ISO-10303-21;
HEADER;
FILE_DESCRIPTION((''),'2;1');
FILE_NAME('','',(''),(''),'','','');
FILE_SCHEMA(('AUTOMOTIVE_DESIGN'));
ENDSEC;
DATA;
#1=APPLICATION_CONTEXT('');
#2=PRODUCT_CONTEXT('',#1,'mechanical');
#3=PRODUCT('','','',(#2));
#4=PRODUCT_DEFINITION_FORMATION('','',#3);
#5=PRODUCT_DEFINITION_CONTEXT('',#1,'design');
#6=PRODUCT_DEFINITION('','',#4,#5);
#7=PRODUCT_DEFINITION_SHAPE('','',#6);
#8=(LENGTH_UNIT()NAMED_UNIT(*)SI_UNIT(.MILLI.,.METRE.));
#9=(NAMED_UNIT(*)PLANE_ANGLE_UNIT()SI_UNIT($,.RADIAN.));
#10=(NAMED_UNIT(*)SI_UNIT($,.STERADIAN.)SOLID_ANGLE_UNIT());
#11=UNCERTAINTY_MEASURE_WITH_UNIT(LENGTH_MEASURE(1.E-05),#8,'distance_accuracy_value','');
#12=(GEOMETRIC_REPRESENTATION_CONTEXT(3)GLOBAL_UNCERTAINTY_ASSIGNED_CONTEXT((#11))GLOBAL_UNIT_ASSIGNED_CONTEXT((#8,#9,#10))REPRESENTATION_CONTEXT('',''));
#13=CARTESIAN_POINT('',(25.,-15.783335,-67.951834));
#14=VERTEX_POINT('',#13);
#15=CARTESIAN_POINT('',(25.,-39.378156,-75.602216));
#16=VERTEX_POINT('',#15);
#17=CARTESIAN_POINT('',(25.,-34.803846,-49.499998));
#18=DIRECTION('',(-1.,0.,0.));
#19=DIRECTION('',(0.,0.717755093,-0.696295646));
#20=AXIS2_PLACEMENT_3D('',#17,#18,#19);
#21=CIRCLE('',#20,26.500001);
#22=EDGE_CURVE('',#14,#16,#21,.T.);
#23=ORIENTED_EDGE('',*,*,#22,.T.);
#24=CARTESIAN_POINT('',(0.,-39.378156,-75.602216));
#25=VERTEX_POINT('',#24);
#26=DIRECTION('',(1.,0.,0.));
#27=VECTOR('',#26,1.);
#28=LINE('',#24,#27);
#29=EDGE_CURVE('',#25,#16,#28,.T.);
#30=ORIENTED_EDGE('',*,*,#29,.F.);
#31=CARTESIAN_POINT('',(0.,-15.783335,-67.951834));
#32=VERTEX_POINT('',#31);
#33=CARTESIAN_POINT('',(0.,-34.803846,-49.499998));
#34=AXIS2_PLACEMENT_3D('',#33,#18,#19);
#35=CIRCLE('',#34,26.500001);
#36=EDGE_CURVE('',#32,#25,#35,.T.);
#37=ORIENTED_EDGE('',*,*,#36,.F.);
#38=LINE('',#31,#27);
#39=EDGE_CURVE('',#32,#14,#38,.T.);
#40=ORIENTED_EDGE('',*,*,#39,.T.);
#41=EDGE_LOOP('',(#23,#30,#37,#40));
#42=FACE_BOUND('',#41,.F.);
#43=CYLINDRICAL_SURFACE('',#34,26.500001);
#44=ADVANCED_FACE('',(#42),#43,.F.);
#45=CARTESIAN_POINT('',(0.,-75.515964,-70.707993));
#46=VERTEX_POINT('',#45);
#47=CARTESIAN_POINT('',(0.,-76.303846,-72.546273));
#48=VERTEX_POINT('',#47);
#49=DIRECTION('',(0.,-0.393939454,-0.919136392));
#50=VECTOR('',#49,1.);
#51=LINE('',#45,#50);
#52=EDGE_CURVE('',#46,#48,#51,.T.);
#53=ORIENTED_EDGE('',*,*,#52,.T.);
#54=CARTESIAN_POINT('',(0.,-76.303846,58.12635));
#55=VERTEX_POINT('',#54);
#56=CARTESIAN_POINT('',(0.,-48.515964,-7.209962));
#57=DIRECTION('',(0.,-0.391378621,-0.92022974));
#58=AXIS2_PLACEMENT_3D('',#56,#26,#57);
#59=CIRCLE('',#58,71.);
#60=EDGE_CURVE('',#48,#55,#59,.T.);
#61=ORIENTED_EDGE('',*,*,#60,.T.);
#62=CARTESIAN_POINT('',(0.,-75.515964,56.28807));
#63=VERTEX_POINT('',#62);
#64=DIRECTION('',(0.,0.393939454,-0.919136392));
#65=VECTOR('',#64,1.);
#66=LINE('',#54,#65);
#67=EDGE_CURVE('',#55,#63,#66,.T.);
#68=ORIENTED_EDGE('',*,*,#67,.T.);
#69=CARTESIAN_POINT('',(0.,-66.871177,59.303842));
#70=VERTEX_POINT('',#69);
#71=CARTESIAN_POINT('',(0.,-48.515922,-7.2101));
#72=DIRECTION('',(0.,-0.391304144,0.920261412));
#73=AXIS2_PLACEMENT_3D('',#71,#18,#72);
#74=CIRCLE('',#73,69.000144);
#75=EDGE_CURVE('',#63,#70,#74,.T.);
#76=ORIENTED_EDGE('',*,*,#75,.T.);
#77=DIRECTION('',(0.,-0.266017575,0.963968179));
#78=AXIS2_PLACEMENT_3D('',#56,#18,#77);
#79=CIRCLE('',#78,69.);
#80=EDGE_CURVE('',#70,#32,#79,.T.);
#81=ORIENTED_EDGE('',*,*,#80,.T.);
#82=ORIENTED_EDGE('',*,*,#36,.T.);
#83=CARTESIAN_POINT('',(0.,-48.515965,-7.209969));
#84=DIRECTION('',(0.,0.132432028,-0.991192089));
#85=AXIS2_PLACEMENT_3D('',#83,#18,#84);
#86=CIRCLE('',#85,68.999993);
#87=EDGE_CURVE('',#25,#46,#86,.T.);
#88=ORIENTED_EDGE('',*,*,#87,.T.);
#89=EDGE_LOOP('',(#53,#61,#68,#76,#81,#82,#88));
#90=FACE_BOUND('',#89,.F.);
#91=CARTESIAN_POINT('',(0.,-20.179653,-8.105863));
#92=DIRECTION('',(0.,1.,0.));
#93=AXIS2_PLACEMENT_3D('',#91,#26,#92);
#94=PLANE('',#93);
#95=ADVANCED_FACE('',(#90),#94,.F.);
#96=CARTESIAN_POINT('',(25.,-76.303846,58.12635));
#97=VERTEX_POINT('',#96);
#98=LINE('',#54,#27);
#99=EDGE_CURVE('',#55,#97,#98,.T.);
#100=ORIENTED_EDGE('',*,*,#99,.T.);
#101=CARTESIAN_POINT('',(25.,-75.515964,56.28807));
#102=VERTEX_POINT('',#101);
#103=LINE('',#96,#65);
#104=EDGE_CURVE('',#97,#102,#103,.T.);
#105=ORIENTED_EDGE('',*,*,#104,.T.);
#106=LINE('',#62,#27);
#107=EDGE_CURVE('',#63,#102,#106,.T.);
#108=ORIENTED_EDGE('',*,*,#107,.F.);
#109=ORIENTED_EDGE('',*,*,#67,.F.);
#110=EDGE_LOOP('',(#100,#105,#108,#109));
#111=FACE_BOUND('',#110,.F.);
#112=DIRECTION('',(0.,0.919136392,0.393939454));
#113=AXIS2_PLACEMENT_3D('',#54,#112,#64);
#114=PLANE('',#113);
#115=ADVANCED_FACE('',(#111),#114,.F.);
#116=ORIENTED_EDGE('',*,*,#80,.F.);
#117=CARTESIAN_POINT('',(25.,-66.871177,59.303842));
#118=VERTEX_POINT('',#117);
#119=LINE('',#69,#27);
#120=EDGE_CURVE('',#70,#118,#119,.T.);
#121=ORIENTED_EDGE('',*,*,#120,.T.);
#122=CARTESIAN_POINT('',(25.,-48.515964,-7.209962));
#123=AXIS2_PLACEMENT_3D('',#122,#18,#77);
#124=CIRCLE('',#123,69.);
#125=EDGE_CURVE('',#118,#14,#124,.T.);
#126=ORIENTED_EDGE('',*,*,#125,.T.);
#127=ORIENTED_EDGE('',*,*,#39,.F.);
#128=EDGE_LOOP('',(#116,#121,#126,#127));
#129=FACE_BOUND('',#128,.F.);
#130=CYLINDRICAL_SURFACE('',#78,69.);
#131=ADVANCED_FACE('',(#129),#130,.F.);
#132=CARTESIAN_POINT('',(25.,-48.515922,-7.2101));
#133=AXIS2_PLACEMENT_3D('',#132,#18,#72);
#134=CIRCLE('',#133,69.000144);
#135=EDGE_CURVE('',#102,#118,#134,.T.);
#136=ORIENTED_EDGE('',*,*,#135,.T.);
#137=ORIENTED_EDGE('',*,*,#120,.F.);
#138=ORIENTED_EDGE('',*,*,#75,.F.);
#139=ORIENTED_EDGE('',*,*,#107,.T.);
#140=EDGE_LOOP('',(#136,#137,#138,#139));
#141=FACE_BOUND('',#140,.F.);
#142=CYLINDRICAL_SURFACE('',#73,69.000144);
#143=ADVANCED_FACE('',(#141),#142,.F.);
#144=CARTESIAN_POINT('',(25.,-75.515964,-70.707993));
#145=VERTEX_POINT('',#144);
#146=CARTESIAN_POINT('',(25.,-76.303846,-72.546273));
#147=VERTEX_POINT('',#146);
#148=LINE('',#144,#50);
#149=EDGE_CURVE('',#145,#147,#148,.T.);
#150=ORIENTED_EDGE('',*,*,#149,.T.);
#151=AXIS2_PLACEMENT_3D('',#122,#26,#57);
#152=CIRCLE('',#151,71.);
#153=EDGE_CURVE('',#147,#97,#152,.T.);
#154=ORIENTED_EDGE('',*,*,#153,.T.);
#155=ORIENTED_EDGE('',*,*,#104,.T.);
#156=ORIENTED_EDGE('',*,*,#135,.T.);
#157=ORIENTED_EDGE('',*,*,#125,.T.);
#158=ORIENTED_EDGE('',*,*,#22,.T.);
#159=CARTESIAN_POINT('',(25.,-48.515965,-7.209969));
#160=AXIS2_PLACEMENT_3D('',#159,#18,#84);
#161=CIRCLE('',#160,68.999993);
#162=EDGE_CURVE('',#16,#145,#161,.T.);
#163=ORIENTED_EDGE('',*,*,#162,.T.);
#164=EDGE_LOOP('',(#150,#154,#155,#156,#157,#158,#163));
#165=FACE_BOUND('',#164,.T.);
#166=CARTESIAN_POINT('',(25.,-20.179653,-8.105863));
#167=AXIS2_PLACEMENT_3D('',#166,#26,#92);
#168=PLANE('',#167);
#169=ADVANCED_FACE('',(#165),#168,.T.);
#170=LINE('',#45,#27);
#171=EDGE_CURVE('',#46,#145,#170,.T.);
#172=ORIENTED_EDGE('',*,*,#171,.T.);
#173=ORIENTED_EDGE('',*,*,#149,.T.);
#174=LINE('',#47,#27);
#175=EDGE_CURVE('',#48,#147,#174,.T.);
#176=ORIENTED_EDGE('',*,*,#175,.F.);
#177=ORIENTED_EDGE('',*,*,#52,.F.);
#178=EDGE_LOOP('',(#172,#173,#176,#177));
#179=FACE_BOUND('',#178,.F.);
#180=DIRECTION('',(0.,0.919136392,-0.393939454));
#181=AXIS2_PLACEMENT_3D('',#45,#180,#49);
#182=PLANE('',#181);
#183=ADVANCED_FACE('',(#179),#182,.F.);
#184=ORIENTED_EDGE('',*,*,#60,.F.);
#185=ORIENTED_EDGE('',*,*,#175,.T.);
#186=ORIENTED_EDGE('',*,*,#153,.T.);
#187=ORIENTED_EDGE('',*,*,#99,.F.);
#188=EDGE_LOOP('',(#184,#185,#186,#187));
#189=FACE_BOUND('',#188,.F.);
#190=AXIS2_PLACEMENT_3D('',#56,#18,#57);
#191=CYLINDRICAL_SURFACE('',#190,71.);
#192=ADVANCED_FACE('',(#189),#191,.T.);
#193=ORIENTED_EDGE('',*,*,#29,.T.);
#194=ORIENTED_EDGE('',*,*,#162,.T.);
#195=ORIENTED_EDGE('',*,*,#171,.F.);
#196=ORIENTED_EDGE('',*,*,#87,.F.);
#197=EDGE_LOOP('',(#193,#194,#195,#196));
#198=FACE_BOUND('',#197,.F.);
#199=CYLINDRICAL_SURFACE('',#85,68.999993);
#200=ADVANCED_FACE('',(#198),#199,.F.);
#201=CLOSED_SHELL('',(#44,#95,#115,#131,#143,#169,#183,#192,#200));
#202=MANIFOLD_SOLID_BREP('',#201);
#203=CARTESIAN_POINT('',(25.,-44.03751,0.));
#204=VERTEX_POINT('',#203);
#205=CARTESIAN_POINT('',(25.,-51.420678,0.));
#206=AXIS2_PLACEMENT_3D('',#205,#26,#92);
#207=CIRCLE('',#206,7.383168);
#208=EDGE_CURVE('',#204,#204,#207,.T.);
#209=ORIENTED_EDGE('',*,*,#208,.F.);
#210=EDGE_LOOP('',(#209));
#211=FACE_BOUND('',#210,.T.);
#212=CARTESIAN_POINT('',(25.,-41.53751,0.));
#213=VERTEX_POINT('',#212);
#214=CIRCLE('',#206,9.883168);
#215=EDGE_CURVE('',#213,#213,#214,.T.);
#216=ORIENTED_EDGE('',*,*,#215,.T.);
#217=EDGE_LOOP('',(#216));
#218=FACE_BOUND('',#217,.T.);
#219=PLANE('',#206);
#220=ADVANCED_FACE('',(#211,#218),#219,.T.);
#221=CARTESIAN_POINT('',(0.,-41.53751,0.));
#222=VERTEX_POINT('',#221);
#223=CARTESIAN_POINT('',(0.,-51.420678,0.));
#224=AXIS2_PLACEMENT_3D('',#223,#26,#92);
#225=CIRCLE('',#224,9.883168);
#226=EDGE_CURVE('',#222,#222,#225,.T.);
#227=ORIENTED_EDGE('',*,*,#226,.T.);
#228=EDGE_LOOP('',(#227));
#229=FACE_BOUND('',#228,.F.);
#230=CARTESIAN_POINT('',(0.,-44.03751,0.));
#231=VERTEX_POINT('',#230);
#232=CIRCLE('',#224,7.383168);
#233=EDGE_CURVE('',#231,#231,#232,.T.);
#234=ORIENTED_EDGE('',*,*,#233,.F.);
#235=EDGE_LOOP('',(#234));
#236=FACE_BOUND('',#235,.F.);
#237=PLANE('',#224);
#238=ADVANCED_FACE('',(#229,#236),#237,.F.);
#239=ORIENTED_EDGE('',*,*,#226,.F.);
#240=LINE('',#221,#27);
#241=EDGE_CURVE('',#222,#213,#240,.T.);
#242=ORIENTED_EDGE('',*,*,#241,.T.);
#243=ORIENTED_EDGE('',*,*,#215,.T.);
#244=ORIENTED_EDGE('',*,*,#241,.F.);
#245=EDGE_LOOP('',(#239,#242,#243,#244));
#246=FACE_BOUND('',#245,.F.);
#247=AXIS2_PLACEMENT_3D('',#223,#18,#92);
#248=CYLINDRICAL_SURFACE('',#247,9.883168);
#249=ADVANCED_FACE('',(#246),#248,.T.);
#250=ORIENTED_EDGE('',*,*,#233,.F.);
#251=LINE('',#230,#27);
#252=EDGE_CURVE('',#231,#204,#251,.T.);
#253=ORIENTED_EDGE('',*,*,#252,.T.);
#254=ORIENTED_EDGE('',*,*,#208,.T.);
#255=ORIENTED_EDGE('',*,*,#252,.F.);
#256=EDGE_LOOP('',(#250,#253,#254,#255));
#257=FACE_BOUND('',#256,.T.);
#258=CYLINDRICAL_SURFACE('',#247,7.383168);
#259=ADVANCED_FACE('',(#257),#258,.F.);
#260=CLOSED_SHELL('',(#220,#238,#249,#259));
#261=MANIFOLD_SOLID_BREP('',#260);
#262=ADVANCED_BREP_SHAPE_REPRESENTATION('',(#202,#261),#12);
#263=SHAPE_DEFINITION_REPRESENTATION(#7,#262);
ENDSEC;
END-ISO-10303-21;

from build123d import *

# Parameters (mm, degrees)
F0_R     = 9.883168
F0_R_2   = 7.383168
F1_DEPTH = 25


with BuildPart() as f1:
    # F0 (on Right) → F1 (new body)
    with BuildSketch(Plane.YZ):
        with Locations((-51.420678, 0)):
            Circle(F0_R)
        with Locations((-51.420678, 0)):
            Circle(F0_R_2, mode=Mode.SUBTRACT)
        with BuildLine():
            ThreePointArc((-76.303846, -72.546273), (22.484036, -7.209962), (-76.303846, 58.12635))
            Line((-76.303846, 58.12635), (-75.515964, 56.28807))
            ThreePointArc((-75.515964, 56.28807), (-71.243647, 57.9395), (-66.871177, 59.303842))
            ThreePointArc((-66.871177, 59.303842), (15.516678, 18.496471), (-15.783335, -67.951834))
            ThreePointArc((-15.783335, -67.951834), (-26.630397, -74.708029), (-39.378156, -75.602216))
            ThreePointArc((-39.378156, -75.602216), (-57.776246, -75.585741), (-75.515964, -70.707993))
            Line((-75.515964, -70.707993), (-76.303846, -72.546273))
        make_face()
    extrude(amount=F1_DEPTH)


solid = f1.part
